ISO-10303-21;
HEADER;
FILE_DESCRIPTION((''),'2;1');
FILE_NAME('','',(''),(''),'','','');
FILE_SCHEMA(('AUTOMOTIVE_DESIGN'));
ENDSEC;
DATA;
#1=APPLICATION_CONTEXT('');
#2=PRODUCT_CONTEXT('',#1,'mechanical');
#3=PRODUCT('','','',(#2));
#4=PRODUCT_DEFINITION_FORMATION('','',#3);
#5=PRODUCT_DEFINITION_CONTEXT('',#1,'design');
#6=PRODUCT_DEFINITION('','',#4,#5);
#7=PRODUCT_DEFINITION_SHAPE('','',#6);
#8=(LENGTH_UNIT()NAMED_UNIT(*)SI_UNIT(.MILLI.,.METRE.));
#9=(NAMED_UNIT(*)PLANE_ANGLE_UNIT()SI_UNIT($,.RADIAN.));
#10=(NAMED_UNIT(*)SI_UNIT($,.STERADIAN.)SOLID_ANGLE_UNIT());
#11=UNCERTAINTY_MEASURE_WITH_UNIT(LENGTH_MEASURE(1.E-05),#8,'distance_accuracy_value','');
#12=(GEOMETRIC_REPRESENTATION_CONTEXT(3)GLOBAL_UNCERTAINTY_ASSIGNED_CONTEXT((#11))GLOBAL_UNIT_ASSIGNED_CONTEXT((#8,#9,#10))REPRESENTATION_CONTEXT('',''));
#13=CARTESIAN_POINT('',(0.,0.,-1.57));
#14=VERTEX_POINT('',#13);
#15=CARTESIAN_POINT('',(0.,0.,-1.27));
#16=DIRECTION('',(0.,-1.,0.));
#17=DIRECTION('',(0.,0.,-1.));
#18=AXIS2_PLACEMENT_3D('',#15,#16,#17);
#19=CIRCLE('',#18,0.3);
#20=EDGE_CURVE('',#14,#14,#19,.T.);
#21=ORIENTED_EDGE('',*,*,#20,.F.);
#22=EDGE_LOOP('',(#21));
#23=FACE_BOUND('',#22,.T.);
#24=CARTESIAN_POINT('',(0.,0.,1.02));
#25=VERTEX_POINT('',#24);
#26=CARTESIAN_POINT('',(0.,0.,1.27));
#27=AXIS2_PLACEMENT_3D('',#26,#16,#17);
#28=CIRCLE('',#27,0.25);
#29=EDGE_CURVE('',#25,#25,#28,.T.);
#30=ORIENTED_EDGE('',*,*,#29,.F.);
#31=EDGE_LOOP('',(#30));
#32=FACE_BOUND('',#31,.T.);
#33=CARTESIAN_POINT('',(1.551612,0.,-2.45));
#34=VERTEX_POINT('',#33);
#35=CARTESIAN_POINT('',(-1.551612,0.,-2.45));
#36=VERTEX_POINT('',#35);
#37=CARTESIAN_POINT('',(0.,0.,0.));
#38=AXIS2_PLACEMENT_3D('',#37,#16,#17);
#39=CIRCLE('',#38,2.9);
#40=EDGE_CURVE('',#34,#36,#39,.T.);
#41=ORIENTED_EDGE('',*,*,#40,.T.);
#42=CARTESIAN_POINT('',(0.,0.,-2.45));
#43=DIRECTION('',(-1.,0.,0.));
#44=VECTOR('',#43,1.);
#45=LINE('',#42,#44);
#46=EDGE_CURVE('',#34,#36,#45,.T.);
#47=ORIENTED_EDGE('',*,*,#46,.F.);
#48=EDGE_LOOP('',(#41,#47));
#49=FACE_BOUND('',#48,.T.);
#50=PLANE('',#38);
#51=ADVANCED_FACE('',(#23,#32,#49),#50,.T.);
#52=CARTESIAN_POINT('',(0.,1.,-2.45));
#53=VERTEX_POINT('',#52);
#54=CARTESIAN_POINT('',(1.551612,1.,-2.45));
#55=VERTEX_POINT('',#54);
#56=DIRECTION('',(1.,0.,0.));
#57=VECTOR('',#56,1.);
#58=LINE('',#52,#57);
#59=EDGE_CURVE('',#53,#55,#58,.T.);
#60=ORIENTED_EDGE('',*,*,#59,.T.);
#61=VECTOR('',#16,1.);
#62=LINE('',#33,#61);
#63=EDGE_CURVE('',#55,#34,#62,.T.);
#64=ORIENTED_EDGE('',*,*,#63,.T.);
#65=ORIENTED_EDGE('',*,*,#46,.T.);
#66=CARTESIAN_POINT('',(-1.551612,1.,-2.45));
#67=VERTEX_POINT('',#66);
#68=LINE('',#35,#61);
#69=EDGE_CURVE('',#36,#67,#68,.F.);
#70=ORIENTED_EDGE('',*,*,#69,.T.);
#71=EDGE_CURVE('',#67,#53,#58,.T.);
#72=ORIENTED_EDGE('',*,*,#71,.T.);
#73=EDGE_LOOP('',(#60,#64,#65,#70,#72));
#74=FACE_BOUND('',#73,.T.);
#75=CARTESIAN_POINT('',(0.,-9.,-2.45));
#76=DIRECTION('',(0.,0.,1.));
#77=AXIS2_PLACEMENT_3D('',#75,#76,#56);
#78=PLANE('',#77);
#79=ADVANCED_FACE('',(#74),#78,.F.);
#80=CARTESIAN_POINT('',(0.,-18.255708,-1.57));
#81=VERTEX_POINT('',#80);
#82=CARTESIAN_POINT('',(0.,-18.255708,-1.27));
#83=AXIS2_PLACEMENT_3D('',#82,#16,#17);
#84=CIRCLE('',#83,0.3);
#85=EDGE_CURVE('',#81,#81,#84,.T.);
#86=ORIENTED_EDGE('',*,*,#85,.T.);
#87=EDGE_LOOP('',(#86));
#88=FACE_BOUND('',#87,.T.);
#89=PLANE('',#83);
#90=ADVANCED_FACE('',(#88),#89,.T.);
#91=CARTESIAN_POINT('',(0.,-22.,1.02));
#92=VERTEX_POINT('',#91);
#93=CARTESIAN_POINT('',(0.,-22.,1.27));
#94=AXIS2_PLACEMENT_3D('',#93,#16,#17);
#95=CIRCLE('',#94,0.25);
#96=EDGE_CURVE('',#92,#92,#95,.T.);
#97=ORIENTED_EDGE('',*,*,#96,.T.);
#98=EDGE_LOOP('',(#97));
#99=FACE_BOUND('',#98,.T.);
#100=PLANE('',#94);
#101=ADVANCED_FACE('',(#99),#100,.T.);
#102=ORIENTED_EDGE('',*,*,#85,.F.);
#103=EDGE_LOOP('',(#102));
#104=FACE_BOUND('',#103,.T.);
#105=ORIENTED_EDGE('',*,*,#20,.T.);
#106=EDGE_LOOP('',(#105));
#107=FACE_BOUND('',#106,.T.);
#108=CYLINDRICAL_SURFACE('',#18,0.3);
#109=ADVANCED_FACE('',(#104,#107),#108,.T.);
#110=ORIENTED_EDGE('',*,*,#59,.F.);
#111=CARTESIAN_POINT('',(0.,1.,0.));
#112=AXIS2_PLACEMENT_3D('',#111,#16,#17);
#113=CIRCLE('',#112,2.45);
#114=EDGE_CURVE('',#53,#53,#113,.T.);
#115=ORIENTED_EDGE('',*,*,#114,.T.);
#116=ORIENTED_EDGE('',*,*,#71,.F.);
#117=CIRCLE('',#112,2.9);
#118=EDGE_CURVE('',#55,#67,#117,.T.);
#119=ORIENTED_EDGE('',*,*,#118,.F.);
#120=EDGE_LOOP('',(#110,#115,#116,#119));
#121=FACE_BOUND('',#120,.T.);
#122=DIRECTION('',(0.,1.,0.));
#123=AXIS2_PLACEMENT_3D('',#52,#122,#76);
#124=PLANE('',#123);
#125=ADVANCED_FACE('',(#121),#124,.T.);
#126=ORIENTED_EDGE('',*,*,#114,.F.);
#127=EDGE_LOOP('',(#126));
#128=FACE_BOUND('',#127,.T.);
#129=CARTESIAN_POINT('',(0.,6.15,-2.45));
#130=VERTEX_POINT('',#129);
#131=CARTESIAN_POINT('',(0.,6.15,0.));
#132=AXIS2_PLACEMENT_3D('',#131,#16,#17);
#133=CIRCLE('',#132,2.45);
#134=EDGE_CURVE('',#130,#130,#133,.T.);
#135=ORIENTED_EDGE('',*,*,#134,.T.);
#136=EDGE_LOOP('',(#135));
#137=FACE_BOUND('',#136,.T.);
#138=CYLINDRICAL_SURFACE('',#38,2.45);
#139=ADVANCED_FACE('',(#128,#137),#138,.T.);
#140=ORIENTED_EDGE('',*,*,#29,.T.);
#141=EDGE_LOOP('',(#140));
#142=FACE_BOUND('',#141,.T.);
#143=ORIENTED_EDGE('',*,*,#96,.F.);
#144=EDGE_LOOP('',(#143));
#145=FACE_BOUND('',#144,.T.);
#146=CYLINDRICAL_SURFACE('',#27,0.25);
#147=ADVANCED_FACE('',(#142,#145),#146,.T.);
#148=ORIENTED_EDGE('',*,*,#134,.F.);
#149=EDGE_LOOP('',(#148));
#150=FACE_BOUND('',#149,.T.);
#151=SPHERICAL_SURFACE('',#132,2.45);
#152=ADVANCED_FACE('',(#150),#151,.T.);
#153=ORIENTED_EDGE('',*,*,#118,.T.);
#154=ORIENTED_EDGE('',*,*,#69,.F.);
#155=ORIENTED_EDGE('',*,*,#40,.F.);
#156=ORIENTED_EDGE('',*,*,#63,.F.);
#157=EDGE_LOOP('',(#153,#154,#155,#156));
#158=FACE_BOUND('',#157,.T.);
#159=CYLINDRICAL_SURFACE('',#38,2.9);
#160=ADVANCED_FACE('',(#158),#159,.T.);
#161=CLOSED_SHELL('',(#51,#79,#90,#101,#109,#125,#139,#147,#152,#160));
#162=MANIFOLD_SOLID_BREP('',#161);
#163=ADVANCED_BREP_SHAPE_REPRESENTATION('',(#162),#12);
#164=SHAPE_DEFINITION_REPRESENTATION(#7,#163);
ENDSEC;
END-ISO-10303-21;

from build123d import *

# Parameters (mm, degrees)
CUT_EXTRUDE1_DEPTH = 10
SWEEP1_PROFILE_R   = 0.3
SWEEP2_PROFILE_R   = 0.25


with BuildPart() as part:
    # Sketch1 → Revolve1 (revolve)
    with BuildSketch(Plane(origin=(0, 0, 0), x_dir=(0, 0, -1), z_dir=(1, 0, 0))):
        with BuildLine():
            Line((0, 0), (0, 8.6))
            ThreePointArc((0, 8.6), (1.732411614, 7.882411614), (2.45, 6.15))
            Line((2.45, 6.15), (2.45, 1))
            Line((2.45, 1), (2.9, 1))
            Line((2.9, 1), (2.9, 0))
            Line((2.9, 0), (0, 0))
        make_face()
    revolve(axis=Axis((0, 0, 0), (0, 1, 0)))

    # Sketch2 → Cut-Extrude1 (cut)
    with BuildSketch(Plane(origin=(0, 1, 0), x_dir=(1, 0, 0), z_dir=(0, 1, 0))):
        Polygon((0, 2.45), (-2.000825275, 2.45), (-0.041843052, 4.408982223), (3.123853817, 2.45), align=None)
    extrude(amount=-CUT_EXTRUDE1_DEPTH, mode=Mode.SUBTRACT)

    # Sweep1: sweep along a path in Sketch3
    with BuildLine(Plane(origin=(0, 0, 0), x_dir=(0, 0, -1), z_dir=(1, 0, 0))) as sweep1_path:
        Line((1.27, 0), (1.27, -18.255708098))
    # Sweep1 profile (on start of the path) → Sweep1 (sweep)
    with BuildSketch(Plane(origin=(0, 0, -1.27), x_dir=(0, 0, -1), z_dir=(0, -1, 0))):
        Circle(SWEEP1_PROFILE_R)
    sweep(path=sweep1_path.line)

    # Sweep2: sweep along a path in Sketch3<3>
    with BuildLine(Plane(origin=(0, 0, 0), x_dir=(0, 0, -1), z_dir=(1, 0, 0))) as sweep2_path:
        Line((-1.27, 0), (-1.27, -22))
    # Sweep2 profile (on start of the path) → Sweep2 (sweep)
    with BuildSketch(Plane(origin=(0, 0, 1.27), x_dir=(0, 0, -1), z_dir=(0, -1, 0))):
        Circle(SWEEP2_PROFILE_R)
    sweep(path=sweep2_path.line)


solid = part.part
